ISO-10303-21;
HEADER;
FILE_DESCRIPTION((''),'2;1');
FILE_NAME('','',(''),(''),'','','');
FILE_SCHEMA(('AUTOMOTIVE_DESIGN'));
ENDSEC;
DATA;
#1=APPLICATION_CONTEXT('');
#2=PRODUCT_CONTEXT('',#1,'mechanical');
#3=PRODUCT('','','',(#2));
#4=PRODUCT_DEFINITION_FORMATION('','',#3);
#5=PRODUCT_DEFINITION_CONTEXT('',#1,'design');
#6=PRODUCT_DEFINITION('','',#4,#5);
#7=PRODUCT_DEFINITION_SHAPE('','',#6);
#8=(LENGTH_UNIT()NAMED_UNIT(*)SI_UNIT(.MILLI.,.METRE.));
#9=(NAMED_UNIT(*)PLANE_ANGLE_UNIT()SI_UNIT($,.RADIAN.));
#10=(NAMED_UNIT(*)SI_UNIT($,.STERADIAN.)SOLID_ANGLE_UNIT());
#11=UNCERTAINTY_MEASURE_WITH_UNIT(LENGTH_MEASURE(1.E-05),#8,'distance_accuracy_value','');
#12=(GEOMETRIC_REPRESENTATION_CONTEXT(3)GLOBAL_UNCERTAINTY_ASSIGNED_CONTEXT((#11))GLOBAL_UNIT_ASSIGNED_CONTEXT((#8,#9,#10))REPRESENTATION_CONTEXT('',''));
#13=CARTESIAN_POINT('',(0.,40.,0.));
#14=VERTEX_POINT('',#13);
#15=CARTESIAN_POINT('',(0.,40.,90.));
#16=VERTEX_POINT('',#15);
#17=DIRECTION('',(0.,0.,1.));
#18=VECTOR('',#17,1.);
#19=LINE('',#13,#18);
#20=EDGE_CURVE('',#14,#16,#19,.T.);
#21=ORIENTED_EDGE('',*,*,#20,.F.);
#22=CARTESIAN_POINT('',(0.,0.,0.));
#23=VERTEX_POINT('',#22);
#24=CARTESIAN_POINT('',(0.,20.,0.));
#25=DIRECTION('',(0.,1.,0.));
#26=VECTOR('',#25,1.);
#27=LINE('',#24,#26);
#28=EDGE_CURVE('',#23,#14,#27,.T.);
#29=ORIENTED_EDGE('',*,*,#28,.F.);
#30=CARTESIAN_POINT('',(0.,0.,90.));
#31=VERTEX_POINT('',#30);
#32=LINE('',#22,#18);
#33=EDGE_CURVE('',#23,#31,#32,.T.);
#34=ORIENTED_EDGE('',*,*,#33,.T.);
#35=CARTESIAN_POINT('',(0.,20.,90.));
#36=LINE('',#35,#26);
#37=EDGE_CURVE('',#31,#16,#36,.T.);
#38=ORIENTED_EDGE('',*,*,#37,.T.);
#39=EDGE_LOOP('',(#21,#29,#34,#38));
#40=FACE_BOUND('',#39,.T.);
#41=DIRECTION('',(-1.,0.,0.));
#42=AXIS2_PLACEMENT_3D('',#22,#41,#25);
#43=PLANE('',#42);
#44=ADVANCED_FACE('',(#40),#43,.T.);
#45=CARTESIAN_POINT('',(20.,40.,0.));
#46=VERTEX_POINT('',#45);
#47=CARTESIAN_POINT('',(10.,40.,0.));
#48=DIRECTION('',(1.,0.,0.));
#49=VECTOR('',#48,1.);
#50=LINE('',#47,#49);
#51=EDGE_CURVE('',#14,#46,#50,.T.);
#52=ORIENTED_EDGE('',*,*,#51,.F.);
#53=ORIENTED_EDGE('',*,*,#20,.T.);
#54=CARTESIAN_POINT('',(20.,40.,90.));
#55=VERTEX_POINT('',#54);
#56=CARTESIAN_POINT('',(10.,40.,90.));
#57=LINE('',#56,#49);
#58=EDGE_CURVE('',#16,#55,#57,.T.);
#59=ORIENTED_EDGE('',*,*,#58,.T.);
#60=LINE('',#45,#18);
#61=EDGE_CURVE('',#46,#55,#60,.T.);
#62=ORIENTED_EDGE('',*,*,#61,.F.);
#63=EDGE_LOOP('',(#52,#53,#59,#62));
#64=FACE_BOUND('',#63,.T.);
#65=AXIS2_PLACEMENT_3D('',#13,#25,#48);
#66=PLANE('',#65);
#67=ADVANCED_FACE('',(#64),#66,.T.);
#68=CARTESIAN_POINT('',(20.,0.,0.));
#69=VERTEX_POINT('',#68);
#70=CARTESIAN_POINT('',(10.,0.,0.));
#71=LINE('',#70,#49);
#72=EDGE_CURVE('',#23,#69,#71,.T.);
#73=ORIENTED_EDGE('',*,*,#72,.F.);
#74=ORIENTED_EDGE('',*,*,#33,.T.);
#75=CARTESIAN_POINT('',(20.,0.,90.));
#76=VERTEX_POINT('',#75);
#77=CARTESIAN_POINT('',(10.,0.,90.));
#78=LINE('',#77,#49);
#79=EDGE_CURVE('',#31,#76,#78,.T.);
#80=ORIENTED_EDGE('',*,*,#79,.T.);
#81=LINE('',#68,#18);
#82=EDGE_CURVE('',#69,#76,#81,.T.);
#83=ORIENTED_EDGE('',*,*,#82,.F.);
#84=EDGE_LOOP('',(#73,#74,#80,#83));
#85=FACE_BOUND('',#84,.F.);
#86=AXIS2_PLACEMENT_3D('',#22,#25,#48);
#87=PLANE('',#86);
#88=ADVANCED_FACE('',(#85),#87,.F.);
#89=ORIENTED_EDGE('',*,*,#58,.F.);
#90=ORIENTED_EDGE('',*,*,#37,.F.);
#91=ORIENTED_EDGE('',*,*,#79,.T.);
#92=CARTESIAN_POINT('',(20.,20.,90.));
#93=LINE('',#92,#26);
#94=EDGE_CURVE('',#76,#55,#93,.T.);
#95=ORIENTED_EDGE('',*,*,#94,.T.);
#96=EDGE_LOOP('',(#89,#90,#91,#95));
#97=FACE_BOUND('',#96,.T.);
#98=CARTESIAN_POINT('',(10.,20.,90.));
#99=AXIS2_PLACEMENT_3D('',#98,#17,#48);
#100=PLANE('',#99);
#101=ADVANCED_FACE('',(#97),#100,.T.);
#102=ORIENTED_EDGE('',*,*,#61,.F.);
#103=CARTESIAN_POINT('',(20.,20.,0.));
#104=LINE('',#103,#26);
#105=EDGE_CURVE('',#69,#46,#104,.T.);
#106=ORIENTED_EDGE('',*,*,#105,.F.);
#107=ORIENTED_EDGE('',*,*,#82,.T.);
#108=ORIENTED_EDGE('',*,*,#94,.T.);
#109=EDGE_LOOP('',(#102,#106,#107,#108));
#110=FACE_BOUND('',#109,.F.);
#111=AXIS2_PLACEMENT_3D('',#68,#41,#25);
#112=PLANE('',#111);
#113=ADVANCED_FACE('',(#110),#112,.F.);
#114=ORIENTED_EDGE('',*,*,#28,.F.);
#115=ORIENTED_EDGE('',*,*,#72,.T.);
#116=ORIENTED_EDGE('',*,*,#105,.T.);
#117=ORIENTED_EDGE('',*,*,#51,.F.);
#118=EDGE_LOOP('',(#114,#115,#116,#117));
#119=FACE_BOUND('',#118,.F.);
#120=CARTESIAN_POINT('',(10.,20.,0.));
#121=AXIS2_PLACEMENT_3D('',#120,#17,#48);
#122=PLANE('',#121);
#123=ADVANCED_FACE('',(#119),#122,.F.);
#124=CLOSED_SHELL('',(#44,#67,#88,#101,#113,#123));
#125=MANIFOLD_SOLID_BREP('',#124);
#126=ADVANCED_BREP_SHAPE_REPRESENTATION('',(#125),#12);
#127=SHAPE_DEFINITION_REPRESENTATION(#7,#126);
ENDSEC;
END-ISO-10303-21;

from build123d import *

# Parameters (mm, degrees)
BOX_W     = 20
BOX_H     = 40
BOX_DEPTH = 90


with BuildPart() as part:
    # Box → Box (new body)
    with BuildSketch(Plane.XY):
        with Locations((10, 20)):
            Rectangle(BOX_W, BOX_H)
    extrude(amount=BOX_DEPTH)


solid = part.part
